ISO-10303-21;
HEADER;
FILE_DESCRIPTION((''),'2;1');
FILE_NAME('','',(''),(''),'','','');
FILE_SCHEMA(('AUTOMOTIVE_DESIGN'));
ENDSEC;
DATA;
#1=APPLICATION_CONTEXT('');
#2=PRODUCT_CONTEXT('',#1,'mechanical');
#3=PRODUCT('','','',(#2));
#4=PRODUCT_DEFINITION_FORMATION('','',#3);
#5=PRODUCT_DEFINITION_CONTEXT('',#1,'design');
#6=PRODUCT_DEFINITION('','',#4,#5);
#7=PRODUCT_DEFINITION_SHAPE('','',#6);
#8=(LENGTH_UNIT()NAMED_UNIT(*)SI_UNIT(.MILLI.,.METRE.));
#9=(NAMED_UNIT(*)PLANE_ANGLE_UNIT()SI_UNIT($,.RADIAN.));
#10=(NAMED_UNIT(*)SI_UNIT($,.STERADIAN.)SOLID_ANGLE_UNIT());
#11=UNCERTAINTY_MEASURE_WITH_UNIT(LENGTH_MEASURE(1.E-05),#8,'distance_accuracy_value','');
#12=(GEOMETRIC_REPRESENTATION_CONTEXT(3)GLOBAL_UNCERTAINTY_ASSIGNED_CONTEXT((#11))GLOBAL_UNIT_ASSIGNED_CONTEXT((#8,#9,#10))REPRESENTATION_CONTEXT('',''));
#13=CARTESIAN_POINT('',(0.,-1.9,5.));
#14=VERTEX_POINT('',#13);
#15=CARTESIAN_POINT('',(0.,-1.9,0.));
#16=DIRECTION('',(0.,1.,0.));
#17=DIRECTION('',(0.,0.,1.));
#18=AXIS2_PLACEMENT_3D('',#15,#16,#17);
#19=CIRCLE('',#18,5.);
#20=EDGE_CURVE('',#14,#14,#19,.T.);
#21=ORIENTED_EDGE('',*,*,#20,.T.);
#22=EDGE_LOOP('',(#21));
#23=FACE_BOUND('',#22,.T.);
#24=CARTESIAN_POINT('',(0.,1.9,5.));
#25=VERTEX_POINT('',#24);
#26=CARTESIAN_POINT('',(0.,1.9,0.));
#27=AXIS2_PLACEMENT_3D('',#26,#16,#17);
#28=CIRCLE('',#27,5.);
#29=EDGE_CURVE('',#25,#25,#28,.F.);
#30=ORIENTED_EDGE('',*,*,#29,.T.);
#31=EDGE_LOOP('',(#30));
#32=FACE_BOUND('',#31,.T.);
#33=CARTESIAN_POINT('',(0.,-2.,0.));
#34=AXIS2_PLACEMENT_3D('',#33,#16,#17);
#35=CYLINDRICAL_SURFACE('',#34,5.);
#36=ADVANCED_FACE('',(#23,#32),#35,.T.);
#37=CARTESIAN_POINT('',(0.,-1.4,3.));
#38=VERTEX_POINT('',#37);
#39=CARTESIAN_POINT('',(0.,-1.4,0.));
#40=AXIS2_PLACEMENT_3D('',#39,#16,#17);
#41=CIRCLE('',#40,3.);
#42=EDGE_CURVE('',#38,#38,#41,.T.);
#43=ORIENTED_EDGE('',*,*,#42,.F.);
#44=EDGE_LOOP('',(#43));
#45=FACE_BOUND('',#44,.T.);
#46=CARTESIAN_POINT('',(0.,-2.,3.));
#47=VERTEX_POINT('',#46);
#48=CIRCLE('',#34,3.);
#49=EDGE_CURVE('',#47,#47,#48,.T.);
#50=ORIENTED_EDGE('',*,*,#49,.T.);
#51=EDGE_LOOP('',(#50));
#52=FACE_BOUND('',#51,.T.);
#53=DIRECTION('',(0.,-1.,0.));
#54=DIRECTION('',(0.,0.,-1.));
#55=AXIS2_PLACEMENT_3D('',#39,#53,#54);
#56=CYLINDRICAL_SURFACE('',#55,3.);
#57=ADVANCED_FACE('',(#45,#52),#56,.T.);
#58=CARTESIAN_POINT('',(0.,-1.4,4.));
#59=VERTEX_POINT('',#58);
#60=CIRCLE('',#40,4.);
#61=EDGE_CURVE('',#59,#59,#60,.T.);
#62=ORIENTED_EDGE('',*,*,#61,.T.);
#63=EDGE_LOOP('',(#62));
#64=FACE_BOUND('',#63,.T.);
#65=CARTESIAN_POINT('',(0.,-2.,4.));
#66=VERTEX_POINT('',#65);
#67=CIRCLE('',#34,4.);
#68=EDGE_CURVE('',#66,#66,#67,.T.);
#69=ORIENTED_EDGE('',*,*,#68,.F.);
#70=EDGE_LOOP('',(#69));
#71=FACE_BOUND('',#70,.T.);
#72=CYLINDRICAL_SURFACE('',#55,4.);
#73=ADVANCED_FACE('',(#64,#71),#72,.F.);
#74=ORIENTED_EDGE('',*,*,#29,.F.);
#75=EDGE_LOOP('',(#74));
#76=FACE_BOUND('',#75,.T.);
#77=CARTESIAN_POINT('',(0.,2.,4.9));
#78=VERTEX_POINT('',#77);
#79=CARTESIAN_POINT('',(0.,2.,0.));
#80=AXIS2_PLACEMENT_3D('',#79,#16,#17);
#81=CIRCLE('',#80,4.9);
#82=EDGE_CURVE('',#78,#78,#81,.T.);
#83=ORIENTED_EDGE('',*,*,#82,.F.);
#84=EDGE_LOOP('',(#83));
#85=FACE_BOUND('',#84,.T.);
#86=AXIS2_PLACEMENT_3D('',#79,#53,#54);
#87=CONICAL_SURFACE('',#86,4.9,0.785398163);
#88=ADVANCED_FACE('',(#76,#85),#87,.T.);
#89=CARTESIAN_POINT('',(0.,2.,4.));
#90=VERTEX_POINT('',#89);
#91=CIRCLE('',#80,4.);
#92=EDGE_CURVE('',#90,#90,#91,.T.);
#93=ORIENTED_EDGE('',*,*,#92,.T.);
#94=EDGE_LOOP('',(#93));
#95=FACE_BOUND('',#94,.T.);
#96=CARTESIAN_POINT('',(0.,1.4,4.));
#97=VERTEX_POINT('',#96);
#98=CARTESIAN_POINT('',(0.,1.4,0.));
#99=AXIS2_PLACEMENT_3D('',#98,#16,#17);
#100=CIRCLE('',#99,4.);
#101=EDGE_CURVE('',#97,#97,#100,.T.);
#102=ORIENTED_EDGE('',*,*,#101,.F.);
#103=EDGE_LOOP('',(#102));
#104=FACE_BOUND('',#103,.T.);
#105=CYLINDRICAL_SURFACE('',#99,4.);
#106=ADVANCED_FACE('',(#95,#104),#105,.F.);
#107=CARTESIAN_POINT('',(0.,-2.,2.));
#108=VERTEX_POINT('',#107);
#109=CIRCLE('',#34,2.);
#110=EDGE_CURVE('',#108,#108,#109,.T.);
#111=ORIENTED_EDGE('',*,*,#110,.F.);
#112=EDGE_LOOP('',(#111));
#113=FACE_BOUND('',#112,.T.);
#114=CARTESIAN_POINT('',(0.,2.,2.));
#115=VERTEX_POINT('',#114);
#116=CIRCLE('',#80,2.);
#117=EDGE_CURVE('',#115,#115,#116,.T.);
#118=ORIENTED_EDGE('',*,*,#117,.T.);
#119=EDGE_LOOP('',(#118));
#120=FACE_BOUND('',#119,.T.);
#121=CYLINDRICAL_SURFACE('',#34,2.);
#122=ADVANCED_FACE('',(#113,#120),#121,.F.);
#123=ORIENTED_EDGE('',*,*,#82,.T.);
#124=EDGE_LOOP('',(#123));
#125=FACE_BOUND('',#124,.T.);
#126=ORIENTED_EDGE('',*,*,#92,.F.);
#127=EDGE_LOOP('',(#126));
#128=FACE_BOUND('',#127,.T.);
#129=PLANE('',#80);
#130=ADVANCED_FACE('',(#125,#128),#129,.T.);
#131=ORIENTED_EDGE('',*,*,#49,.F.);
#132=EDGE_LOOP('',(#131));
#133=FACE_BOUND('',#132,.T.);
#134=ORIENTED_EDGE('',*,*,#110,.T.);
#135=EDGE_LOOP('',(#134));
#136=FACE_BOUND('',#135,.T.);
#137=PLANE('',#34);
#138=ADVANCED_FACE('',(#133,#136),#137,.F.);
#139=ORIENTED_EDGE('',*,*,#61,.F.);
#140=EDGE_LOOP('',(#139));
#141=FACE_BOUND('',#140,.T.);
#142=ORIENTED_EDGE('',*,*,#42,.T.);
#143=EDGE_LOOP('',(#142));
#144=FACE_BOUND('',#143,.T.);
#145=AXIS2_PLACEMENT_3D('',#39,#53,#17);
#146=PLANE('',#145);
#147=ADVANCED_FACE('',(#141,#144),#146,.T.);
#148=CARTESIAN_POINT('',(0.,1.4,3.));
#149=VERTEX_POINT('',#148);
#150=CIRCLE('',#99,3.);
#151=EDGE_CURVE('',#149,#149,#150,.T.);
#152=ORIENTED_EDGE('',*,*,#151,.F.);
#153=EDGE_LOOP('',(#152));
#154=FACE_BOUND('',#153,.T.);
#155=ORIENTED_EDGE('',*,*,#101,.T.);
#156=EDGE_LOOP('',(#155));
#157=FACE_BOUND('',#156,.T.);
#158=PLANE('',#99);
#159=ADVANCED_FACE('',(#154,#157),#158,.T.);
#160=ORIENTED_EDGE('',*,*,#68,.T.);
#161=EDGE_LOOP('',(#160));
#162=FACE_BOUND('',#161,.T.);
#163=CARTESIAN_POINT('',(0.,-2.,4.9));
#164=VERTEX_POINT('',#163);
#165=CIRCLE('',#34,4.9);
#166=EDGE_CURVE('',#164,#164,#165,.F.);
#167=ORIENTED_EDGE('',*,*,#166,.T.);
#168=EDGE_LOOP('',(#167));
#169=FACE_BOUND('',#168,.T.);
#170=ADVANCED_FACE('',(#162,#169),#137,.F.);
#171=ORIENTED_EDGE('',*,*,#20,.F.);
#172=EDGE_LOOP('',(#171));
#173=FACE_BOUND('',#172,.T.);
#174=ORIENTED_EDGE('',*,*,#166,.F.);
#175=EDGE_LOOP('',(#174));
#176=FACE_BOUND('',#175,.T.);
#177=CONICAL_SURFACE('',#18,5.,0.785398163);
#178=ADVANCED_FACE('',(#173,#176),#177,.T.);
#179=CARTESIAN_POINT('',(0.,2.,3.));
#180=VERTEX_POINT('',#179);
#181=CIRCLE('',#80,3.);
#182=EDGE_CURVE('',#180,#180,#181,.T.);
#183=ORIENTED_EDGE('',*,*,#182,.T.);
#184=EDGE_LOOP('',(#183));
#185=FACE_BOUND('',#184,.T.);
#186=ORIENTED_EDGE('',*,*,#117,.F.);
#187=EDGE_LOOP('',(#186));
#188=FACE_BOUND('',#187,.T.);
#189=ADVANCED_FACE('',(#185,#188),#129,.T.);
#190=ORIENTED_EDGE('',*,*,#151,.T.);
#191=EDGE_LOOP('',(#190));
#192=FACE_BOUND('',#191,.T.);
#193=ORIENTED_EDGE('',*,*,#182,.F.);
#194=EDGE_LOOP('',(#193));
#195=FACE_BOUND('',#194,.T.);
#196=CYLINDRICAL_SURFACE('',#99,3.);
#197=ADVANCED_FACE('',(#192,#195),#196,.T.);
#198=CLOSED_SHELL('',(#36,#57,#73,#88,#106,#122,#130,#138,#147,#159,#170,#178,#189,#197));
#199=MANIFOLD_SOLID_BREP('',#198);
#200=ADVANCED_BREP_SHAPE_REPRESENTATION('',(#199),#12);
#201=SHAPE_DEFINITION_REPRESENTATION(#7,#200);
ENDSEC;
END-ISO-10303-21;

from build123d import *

# Parameters (mm, degrees)
BOSS_EXTRUDE1_DEPTH      = 2
BOSS_EXTRUDE1_DEPTH_BACK = 2
SKETCH1_R                = 5
SKETCH1_R_2              = 2
SKETCH2_R                = 4
SKETCH2_R_2              = 3
CUT_EXTRUDE1_DEPTH       = 0.6
CHAMFER1_SIZE            = 0.1


with BuildPart() as part:
    # Sketch1 → Boss-Extrude1 (new, two sides: drawn at the far end of the back side and taken through both)
    with BuildSketch(Plane(origin=(0, 0, 0), x_dir=(1, 0, 0), z_dir=(0, 1, 0)).offset(-BOSS_EXTRUDE1_DEPTH_BACK)):
        Circle(SKETCH1_R)
        Circle(SKETCH1_R_2, mode=Mode.SUBTRACT)
    extrude(amount=BOSS_EXTRUDE1_DEPTH + BOSS_EXTRUDE1_DEPTH_BACK)

    # Sketch2 → Cut-Extrude1 (cut)
    with BuildSketch(Plane(origin=(0, 2, 0), x_dir=(1, 0, 0), z_dir=(0, 1, 0))):
        Circle(SKETCH2_R)
        Circle(SKETCH2_R_2, mode=Mode.SUBTRACT)
    cut_extrude1 = extrude(amount=-CUT_EXTRUDE1_DEPTH, mode=Mode.SUBTRACT)

    # Mirror2: Cut-Extrude1 across plane
    add(cut_extrude1.mirror(Plane.ZX), mode=Mode.SUBTRACT)

    # Chamfer1
    chamfer1_edges = [part.edges().sort_by_distance(p)[0] for p in [
        (-5, -2, 0),
        (-5, 2, 0),
    ]]
    chamfer(chamfer1_edges, length=CHAMFER1_SIZE)


solid = part.part
